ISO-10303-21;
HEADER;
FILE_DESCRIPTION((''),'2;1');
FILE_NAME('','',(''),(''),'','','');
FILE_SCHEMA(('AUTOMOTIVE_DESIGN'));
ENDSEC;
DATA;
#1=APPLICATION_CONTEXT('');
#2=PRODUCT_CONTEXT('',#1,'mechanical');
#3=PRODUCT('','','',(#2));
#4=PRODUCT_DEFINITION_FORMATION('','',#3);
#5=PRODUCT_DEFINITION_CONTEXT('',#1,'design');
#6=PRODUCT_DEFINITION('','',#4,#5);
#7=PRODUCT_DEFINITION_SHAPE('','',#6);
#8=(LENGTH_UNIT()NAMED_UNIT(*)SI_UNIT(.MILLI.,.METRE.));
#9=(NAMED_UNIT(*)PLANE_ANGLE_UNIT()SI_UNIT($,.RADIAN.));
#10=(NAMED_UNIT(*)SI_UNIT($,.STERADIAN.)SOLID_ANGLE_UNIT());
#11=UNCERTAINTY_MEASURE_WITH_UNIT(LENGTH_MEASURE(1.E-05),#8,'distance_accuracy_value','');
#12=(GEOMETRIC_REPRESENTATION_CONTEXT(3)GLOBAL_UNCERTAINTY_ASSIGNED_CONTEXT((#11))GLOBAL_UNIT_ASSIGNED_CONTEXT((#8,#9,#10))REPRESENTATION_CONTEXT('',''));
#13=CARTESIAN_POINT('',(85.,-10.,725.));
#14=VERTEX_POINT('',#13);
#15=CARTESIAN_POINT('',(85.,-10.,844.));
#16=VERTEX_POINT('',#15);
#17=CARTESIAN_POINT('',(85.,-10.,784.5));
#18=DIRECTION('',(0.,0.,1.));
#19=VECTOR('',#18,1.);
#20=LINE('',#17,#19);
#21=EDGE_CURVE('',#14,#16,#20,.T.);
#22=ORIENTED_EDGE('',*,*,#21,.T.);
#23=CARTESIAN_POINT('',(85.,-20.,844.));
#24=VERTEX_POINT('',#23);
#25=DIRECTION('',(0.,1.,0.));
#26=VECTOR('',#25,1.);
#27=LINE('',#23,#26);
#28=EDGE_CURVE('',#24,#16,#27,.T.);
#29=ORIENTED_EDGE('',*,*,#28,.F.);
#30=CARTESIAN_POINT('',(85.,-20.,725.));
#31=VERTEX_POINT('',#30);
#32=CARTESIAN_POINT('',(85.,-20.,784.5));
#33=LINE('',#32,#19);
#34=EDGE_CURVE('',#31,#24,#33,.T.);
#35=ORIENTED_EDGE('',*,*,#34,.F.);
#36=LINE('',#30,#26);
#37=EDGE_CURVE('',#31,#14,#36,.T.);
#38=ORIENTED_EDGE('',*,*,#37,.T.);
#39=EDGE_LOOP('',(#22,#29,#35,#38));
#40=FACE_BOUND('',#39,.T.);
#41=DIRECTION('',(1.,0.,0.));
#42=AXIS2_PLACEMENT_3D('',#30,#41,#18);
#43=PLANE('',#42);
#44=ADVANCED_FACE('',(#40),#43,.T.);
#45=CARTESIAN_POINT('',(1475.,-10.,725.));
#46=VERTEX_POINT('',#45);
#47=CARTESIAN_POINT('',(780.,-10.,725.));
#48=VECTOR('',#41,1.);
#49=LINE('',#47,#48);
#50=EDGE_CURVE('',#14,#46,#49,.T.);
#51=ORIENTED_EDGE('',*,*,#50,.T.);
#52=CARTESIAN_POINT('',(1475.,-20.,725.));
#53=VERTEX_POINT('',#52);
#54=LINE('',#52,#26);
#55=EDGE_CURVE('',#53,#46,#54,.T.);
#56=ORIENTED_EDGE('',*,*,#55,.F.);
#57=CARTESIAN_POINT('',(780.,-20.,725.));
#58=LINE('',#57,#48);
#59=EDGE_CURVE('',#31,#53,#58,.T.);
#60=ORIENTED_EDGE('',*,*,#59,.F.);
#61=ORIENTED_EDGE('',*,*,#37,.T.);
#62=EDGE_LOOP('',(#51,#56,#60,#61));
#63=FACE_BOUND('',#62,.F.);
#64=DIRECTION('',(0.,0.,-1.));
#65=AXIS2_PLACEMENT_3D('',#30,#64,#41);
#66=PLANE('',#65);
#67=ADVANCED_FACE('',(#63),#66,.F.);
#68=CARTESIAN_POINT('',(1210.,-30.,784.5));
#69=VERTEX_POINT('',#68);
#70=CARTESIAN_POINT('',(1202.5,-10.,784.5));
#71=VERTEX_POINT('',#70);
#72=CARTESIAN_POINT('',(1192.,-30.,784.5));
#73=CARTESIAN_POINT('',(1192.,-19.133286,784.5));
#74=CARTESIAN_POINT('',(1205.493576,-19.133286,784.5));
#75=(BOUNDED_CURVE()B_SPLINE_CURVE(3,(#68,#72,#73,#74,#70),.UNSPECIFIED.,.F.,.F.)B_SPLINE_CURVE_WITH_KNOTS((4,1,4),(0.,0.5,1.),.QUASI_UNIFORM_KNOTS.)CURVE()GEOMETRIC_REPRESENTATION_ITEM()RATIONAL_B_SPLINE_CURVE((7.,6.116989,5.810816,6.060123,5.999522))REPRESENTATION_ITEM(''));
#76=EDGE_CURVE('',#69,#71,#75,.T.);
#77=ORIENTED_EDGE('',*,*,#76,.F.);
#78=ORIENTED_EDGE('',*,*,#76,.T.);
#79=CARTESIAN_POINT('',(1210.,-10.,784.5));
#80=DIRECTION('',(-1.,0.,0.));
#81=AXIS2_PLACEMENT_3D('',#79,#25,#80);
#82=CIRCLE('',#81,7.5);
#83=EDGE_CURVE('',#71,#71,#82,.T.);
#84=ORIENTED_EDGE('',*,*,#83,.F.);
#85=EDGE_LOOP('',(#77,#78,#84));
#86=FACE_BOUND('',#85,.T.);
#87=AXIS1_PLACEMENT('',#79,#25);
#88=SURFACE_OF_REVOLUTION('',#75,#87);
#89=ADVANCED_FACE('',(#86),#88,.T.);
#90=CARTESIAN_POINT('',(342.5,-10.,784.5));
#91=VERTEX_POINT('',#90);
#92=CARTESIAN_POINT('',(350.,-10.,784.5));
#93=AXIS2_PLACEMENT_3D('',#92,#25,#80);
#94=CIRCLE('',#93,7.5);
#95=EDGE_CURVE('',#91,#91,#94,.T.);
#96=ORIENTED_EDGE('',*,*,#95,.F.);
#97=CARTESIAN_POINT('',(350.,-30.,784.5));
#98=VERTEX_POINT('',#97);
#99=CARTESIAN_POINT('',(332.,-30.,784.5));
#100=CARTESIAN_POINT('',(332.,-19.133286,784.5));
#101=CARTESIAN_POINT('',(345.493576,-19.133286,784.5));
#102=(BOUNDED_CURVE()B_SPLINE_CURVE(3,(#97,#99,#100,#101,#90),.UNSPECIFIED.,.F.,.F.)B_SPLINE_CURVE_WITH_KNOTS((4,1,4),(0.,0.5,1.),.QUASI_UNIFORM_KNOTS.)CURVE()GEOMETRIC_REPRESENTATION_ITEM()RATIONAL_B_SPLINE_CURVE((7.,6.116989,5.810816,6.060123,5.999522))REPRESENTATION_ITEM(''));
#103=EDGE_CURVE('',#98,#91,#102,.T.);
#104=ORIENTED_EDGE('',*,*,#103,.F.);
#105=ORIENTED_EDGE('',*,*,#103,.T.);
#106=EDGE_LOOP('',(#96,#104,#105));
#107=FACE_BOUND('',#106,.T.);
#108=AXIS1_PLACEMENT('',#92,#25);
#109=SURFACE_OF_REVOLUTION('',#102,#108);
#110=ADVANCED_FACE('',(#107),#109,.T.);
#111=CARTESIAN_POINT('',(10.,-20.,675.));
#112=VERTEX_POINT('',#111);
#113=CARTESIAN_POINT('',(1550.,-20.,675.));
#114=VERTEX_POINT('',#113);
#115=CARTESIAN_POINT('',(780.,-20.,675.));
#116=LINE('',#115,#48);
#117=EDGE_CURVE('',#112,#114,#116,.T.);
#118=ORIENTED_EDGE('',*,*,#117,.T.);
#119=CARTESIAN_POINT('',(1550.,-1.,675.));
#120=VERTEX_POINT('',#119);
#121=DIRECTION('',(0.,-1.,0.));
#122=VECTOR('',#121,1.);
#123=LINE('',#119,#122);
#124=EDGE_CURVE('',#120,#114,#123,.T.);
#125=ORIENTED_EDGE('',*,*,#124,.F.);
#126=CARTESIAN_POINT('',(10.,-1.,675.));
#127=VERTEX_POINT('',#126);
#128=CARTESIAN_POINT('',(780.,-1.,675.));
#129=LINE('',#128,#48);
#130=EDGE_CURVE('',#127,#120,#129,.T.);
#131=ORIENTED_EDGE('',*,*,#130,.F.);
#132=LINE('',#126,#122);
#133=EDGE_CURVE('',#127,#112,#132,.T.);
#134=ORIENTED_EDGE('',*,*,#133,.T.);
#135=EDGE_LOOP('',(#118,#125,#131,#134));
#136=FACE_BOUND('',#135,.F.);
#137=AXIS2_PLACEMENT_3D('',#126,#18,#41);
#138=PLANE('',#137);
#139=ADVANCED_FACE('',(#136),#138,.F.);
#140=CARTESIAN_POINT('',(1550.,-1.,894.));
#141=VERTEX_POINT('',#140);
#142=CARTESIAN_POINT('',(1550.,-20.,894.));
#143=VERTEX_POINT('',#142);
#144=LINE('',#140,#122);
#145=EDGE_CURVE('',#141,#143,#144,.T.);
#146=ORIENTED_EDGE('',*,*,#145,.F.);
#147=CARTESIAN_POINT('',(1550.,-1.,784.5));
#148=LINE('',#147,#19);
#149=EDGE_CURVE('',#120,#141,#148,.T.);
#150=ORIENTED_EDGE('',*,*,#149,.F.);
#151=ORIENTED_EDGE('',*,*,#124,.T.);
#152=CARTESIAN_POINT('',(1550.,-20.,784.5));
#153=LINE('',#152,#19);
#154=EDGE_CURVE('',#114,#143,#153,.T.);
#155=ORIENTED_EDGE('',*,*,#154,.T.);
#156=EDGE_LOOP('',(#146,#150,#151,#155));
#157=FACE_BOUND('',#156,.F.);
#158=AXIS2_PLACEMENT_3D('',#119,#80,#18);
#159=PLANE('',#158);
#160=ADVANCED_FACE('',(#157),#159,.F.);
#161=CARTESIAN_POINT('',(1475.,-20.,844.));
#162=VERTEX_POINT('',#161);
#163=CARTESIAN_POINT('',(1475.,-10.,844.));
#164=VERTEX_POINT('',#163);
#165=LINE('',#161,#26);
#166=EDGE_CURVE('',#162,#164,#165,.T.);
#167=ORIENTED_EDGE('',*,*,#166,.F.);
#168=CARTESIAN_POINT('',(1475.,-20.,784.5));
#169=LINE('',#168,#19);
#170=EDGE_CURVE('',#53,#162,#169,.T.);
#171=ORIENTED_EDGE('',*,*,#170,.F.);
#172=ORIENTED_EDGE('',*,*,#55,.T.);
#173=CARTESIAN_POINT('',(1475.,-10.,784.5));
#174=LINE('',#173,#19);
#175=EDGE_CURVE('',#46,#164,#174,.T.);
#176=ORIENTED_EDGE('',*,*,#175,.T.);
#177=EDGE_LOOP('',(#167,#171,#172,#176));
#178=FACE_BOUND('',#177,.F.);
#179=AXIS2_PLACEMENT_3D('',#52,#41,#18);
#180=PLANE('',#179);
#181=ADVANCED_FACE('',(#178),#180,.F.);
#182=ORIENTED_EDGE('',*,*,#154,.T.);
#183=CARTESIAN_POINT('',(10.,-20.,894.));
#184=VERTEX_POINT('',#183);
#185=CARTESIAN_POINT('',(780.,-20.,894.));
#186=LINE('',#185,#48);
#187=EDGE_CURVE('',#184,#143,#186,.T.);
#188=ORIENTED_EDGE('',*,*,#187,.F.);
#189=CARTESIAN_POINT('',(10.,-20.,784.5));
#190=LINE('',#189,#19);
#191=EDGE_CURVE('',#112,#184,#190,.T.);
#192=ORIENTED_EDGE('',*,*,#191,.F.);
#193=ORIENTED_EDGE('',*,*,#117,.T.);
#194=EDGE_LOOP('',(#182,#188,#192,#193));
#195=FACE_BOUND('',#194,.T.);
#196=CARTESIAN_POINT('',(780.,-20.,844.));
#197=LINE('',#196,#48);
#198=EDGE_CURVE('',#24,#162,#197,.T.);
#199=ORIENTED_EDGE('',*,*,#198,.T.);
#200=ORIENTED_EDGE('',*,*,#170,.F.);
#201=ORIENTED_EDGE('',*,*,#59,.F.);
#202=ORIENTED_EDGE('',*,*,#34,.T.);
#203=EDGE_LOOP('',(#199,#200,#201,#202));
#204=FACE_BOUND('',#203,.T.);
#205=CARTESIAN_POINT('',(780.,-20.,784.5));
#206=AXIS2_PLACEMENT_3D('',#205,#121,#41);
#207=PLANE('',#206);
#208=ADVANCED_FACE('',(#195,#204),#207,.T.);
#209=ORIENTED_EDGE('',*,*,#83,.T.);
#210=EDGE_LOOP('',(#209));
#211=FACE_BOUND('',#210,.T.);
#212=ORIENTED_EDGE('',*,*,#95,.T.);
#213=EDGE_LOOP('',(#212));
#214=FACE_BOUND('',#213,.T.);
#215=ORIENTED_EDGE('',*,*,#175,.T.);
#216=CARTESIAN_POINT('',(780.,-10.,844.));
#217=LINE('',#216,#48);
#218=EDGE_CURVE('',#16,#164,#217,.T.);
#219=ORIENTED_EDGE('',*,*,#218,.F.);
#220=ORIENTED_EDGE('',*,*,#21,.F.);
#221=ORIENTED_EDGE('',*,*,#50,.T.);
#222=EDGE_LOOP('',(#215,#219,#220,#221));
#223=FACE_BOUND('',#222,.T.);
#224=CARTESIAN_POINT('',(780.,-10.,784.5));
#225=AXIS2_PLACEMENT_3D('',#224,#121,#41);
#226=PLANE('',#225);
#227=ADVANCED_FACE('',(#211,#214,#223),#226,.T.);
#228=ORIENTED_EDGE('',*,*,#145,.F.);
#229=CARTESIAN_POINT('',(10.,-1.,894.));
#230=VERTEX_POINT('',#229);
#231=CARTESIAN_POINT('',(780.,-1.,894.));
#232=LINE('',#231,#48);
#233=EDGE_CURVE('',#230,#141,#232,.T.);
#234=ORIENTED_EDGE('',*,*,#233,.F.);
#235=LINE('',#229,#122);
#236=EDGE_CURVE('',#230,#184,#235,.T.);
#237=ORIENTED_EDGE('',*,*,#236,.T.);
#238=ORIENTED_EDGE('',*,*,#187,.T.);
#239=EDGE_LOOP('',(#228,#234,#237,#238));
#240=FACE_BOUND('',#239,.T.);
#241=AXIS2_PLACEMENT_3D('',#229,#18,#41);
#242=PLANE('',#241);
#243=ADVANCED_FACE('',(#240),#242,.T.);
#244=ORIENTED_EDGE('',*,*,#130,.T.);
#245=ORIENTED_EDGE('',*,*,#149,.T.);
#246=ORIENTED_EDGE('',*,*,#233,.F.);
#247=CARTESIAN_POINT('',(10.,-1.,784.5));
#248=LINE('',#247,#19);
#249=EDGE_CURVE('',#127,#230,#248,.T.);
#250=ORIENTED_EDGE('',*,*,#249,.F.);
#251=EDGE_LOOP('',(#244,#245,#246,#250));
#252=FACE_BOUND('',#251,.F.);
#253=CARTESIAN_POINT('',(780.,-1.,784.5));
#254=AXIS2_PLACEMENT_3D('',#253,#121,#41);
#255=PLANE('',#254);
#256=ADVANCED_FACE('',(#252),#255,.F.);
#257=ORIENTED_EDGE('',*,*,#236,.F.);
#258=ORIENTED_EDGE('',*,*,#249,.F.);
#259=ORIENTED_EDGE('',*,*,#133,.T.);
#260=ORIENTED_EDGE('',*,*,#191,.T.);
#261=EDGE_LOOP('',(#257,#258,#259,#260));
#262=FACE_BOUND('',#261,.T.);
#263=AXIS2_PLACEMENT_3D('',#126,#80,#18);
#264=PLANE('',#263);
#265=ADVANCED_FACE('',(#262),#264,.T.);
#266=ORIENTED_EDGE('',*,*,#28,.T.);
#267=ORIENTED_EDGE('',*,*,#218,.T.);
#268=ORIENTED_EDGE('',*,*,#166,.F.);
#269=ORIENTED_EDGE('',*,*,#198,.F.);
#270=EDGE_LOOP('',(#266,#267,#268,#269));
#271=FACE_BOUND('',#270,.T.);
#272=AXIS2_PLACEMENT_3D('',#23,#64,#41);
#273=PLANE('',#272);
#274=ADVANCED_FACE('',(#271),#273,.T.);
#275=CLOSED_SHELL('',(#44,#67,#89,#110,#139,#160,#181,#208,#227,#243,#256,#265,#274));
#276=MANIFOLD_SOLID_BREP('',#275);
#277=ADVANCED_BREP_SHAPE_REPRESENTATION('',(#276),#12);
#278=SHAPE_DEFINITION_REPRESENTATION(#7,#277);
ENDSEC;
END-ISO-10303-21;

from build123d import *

# Parameters (mm, degrees)
CLONE2D007_W    = 1540
CLONE2D007_H    = 219
PAD013_DEPTH    = 19
SKETCH034_W     = 1390
SKETCH034_H     = 119
POCKET013_DEPTH = 10


with BuildPart() as part:
    # Clone2D007 → Pad013 (new body)
    with BuildSketch(Plane.XZ):
        with Locations((770, 109.5)):
            Rectangle(CLONE2D007_W, CLONE2D007_H)
    extrude(amount=PAD013_DEPTH)

    # Sketch034 (on Face6 of Pad013) → Pocket013 (cut)
    with BuildSketch(Plane.XZ.offset(19)):
        with Locations((770, 109.5)):
            Rectangle(SKETCH034_W, SKETCH034_H)
    extrude(amount=-POCKET013_DEPTH, mode=Mode.SUBTRACT)

    # Clone2D009 → Revolution004 (revolve)
    with BuildSketch(Plane(origin=(340, -9, 109.5), x_dir=(1, 0, 0), z_dir=(0, 0, 1))):
        with BuildLine():
            Line((0, 0), (0, -20))
            add(Edge.make_bspline(
                [(0, -20), (-18, -20), (-18, -9.133286), (-4.506424, -9.133286), (-7.5, 0)],
                knots=[0, 0, 0, 0, 0.5, 1, 1, 1, 1], degree=3, weights=[7, 6.116989, 5.810816, 6.060123, 5.999522]))
            Line((-7.5, 0), (0, 0))
        make_face()
    revolve(axis=Axis((340, -9, 109.5), (0, 1, 0)))

    # Clone2D008 → Revolution010 (revolve)
    with BuildSketch(Plane(origin=(1200, -9, 109.5), x_dir=(1, 0, 0), z_dir=(0, 0, 1))):
        with BuildLine():
            Line((0, 0), (0, -20))
            add(Edge.make_bspline(
                [(0, -20), (-18, -20), (-18, -9.133286), (-4.506424, -9.133286), (-7.5, 0)],
                knots=[0, 0, 0, 0, 0.5, 1, 1, 1, 1], degree=3, weights=[7, 6.116989, 5.810816, 6.060123, 5.999522]))
            Line((-7.5, 0), (0, 0))
        make_face()
    revolve(axis=Axis((1200, -9, 109.5), (0, 1, 0)))


with BuildPart() as part_1:
    # Body015 placement: moved
    add(part.part.moved(Location((10, -1, 675))))


solid = part_1.part
